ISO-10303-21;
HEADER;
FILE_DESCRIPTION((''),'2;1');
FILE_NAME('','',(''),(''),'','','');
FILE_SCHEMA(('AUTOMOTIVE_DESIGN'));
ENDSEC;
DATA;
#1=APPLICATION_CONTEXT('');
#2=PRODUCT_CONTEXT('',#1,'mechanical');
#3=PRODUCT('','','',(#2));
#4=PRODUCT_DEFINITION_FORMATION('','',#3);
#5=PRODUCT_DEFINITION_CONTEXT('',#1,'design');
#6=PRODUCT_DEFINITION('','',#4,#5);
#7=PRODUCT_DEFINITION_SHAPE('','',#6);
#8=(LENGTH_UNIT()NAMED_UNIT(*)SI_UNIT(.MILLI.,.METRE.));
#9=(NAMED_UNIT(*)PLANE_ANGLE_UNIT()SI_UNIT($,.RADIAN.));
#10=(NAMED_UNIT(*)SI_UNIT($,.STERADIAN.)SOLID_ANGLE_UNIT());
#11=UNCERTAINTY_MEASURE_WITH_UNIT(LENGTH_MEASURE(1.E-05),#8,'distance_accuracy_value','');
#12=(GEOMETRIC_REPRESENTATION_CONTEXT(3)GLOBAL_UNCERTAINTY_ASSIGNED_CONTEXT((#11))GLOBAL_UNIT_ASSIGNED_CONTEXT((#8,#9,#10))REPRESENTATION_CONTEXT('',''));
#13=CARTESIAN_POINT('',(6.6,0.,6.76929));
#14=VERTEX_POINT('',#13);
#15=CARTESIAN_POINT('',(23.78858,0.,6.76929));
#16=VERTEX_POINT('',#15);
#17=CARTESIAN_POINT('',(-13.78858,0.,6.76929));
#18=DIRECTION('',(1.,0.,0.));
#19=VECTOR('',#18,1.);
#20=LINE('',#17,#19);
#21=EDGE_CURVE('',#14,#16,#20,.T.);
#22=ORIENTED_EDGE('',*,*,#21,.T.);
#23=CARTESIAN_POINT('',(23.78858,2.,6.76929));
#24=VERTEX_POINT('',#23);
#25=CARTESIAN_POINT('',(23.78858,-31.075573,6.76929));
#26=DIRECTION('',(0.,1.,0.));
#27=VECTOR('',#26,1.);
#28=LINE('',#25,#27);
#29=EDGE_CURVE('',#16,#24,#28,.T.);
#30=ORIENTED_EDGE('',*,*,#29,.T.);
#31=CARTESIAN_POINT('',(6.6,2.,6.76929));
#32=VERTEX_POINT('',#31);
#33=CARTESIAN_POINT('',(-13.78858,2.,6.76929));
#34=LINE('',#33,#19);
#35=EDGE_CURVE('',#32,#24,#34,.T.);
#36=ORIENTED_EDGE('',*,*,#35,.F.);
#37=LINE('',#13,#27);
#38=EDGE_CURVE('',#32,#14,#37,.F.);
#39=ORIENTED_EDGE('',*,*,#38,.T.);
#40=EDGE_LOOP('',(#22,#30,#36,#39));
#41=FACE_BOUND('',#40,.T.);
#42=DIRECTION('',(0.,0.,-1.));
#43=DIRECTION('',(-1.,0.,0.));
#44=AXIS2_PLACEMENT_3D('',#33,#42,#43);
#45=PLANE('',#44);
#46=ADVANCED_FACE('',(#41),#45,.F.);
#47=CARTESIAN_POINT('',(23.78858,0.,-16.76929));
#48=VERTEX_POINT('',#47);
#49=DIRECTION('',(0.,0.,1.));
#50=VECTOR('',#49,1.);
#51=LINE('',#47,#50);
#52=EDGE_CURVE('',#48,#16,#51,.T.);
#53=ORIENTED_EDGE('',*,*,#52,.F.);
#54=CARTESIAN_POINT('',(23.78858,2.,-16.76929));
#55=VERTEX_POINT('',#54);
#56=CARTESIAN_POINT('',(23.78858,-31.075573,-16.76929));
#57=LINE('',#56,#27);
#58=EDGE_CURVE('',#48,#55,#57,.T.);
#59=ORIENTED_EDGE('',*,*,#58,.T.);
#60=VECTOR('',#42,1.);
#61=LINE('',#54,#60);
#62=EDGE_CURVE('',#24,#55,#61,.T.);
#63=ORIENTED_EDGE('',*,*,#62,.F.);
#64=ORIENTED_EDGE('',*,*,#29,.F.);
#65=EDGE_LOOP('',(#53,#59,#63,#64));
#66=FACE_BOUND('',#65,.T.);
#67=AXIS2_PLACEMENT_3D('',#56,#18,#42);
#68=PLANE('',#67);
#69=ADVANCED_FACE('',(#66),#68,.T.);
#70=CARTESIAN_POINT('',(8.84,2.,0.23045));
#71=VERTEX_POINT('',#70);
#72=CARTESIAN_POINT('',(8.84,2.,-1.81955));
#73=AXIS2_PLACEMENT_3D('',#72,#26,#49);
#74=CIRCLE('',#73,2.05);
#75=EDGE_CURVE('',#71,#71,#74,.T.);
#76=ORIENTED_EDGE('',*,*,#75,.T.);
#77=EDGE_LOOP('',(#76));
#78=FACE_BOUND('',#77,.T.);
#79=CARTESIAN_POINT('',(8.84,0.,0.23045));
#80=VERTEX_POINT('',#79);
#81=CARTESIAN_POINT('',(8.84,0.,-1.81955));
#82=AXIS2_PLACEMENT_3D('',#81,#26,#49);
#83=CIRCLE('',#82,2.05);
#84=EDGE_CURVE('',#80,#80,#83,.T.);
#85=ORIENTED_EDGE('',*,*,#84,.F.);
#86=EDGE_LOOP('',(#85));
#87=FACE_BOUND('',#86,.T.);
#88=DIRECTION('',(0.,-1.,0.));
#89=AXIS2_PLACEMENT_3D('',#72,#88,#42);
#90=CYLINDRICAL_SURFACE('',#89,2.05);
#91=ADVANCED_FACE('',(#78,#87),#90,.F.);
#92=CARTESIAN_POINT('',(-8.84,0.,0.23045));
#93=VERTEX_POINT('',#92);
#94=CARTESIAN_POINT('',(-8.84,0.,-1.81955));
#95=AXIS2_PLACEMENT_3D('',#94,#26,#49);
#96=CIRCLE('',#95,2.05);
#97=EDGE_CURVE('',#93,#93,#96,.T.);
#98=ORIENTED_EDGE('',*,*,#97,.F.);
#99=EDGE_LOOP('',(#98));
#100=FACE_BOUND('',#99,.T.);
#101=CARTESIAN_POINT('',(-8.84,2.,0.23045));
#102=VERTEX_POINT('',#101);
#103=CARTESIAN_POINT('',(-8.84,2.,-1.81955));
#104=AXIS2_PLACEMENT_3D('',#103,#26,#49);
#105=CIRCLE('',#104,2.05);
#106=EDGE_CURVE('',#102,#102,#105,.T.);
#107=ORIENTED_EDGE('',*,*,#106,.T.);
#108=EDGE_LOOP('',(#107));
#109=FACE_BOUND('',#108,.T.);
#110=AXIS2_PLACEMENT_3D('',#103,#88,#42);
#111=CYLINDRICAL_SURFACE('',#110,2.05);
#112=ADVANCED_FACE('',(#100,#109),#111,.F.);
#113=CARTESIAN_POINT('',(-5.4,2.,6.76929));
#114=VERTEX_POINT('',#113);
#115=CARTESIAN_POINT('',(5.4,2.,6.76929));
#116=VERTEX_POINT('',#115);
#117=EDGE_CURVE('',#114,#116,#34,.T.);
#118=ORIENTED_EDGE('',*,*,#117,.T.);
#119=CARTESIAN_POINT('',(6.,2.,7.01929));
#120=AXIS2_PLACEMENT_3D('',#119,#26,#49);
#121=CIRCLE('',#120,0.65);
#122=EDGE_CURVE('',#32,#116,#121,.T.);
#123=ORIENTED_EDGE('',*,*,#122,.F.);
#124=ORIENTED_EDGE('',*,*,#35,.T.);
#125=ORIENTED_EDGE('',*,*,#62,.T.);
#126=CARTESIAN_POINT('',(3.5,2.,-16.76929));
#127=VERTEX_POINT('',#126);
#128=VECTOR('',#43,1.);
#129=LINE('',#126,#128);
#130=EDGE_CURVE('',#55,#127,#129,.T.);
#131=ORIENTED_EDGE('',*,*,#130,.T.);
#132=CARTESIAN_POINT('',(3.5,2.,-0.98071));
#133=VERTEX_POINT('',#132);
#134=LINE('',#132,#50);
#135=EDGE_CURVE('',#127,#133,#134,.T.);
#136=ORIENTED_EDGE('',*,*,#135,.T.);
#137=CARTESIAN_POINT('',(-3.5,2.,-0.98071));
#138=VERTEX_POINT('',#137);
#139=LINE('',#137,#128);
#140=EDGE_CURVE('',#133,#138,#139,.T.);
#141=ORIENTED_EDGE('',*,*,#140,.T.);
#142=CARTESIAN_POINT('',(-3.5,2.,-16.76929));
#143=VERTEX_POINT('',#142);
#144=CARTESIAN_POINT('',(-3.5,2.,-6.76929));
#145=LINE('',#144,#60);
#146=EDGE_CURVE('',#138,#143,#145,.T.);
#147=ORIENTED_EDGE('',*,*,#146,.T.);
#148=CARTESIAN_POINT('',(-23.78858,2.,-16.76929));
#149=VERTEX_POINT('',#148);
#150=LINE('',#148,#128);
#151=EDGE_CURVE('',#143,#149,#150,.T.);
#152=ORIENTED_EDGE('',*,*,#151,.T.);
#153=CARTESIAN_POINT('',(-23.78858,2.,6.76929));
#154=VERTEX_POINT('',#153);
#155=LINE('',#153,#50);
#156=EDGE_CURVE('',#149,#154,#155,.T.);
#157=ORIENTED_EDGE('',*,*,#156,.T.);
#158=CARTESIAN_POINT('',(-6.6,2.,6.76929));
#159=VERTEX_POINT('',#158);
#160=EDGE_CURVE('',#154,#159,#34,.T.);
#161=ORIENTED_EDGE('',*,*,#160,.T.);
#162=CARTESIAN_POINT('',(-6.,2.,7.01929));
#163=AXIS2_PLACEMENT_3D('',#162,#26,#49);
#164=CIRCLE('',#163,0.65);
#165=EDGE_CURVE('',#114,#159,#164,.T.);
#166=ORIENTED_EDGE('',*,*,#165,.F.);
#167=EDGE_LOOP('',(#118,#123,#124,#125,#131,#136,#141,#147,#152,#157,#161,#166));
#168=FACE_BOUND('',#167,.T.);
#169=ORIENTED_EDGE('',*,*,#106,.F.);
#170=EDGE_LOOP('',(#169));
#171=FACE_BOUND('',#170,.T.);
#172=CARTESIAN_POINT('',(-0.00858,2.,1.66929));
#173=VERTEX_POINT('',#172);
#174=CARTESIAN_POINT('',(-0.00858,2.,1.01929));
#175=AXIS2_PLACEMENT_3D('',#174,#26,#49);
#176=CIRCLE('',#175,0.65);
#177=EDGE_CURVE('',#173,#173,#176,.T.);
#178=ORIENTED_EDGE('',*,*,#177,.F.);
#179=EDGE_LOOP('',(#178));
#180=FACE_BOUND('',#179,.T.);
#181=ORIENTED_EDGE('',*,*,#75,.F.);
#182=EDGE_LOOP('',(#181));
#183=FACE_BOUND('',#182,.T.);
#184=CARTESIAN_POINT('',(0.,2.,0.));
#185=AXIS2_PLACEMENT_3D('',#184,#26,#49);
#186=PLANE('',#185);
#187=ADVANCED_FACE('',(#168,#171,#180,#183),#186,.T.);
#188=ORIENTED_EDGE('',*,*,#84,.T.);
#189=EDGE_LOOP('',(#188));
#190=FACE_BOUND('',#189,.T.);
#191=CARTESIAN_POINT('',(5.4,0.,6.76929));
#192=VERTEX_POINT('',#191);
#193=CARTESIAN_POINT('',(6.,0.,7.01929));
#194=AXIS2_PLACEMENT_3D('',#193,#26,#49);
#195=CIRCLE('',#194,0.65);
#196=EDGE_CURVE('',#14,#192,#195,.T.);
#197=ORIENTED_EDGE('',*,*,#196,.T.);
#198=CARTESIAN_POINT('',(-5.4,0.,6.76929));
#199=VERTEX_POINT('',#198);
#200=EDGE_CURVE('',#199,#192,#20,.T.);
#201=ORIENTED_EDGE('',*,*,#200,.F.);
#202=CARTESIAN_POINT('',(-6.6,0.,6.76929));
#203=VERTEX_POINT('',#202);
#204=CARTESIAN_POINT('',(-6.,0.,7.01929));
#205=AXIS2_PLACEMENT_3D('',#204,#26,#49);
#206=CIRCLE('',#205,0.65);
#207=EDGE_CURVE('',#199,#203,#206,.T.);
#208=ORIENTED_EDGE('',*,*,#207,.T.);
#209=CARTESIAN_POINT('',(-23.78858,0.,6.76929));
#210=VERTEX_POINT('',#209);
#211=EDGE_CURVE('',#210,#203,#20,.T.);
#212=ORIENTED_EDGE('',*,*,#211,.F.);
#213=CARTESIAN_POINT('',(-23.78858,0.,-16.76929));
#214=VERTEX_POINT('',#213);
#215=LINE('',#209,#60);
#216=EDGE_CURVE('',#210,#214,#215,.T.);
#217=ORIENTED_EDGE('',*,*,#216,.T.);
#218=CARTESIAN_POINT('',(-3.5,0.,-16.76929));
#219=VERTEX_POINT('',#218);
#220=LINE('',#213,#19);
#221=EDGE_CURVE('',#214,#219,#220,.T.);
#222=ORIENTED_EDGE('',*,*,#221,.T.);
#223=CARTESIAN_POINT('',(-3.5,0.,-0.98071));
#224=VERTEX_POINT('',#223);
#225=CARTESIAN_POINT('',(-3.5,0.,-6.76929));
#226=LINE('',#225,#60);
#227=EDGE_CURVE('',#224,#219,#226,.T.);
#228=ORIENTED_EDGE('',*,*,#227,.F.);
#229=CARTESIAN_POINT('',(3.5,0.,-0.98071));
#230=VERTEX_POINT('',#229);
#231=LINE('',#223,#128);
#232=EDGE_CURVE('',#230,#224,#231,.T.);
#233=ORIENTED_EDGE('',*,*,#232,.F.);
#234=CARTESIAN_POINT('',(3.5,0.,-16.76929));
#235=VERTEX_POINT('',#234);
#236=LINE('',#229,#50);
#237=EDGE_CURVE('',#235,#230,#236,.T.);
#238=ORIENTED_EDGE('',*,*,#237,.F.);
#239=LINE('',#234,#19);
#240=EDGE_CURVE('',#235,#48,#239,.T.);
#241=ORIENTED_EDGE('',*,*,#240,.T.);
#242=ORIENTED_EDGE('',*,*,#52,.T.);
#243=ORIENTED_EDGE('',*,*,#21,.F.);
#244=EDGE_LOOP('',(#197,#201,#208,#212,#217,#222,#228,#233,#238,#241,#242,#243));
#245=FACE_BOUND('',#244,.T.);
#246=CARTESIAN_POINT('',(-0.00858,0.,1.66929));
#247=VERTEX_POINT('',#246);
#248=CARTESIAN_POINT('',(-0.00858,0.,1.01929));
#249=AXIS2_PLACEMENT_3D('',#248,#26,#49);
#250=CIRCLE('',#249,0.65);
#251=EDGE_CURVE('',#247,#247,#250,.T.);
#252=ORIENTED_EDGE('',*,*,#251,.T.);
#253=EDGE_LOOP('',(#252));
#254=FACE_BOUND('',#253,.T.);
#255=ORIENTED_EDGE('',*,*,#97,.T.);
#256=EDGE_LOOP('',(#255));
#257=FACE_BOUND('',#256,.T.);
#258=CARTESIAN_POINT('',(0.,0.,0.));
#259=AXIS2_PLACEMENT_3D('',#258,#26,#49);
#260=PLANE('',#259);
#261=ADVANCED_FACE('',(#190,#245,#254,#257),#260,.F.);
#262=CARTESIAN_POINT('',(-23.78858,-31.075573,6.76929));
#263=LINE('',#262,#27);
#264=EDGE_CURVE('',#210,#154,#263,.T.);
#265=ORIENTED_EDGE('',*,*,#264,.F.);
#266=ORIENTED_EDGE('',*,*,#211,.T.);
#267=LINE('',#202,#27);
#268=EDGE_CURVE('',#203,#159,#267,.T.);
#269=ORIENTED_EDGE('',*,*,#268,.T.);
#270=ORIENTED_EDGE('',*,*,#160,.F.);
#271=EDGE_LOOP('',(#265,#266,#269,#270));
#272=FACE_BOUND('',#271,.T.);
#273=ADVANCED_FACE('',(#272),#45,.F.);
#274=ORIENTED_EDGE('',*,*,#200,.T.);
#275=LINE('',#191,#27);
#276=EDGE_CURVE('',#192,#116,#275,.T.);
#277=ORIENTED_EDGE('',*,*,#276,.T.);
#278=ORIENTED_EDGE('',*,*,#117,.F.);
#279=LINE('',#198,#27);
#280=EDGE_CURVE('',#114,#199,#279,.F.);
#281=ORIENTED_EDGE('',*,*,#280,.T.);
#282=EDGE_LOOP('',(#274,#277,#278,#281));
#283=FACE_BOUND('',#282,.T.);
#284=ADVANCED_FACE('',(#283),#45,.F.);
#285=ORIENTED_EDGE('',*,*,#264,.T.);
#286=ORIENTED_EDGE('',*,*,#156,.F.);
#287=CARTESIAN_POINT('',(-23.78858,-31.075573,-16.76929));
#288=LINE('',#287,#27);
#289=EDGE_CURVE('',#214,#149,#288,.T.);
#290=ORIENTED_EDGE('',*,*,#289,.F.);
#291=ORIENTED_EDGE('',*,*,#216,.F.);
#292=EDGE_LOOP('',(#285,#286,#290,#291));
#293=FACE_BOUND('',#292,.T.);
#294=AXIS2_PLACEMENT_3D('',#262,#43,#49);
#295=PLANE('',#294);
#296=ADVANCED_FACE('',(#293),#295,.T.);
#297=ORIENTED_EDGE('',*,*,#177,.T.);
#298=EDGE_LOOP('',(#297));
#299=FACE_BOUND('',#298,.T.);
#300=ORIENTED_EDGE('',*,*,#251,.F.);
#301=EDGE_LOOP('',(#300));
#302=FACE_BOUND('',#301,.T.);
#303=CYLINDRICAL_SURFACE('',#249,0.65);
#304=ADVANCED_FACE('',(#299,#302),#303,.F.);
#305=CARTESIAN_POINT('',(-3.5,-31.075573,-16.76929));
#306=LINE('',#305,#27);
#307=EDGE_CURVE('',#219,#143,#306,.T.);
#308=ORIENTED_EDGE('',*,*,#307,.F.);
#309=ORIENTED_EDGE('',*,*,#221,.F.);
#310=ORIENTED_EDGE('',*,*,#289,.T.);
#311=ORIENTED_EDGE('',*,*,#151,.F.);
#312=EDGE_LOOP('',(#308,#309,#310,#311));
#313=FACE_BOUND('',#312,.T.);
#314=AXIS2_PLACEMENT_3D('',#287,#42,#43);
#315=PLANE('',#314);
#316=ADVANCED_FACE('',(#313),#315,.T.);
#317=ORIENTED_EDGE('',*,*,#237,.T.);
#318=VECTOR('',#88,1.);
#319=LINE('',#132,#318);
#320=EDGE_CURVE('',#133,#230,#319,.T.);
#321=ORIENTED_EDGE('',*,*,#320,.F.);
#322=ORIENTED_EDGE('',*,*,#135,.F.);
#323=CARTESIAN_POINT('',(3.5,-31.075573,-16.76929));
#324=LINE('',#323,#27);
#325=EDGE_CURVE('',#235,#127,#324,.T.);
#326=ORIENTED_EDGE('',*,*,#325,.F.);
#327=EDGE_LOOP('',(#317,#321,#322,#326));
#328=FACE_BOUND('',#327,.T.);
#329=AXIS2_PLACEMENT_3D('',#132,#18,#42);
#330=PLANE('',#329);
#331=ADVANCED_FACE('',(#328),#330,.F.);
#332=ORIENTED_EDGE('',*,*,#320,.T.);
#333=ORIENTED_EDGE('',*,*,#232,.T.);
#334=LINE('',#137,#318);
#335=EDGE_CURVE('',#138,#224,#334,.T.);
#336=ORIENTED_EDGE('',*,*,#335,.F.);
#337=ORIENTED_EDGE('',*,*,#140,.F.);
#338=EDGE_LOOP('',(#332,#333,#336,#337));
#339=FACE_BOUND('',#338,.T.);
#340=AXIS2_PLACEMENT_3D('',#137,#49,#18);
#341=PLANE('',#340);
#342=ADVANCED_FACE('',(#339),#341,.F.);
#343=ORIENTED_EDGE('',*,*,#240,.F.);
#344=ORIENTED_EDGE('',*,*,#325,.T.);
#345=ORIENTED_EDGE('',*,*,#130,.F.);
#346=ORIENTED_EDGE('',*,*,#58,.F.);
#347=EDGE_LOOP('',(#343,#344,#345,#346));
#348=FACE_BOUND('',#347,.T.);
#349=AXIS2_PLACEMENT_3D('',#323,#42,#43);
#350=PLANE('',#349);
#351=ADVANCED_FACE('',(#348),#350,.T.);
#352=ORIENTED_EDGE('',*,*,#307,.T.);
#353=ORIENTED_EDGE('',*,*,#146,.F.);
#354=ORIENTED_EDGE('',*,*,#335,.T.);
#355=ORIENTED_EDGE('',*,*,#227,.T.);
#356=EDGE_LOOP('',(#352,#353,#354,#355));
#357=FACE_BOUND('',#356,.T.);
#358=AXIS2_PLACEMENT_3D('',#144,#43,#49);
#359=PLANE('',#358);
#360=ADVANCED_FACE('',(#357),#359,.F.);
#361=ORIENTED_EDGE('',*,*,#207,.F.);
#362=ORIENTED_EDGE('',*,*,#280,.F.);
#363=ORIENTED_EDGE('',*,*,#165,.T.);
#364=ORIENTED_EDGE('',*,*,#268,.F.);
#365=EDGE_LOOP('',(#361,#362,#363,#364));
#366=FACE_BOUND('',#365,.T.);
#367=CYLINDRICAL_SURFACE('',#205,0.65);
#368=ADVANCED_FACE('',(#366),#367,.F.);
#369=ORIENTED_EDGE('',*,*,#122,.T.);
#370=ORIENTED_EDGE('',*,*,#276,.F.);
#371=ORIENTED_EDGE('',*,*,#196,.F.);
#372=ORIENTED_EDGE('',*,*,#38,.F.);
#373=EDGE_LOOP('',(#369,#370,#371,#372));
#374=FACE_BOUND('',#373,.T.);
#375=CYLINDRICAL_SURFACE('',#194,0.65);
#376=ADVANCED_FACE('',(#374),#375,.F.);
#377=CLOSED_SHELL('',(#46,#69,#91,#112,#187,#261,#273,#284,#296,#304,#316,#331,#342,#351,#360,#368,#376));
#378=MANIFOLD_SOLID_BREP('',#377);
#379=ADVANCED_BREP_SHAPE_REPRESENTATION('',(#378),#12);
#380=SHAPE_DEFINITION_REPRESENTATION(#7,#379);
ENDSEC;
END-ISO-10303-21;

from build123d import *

# Parameters (mm, degrees)
SKETCH1_R           = 2.05
BOSS_EXTRUDE1_DEPTH = 2
SKETCH3_R           = 0.65
CUT_EXTRUDE1_DEPTH  = 16.490262281
SKETCH4_R           = 0.65
CUT_EXTRUDE2_DEPTH  = 16.490262281
BOSS_EXTRUDE2_DEPTH = 2


with BuildPart() as part:
    # Sketch1 → Boss-Extrude1 (new body)
    with BuildSketch(Plane(origin=(0, 0, 0), x_dir=(1, 0, 0), z_dir=(0, 1, 0))):
        Polygon((-3.5, 6.76929), (-3.5, 0.98071), (3.5, 0.98071), (3.5, 6.76929), (13.78858, 6.76929), (13.78858, -6.76929), (-13.78858, -6.76929), (-13.78858, 6.76929), align=None)
        with Locations(Location((-8.84, 1.81955, 0), (0, 0, 270))):
            Circle(SKETCH1_R, mode=Mode.SUBTRACT)
        with Locations(Location((8.84, 1.81955, 0), (0, 0, 270))):
            Circle(SKETCH1_R, mode=Mode.SUBTRACT)
    extrude(amount=BOSS_EXTRUDE1_DEPTH)

    # Sketch3 → Cut-Extrude1 (cut, through all)
    with BuildSketch(Plane(origin=(0, 2, 0), x_dir=(1, 0, 0), z_dir=(0, 1, 0))):
        with Locations(Location((-0.00858, -1.01929, 0), (0, 0, 270))):
            Circle(SKETCH3_R)
    extrude(amount=-CUT_EXTRUDE1_DEPTH, mode=Mode.SUBTRACT)

    # Sketch4 → Cut-Extrude2 (cut, through all)
    with BuildSketch(Plane(origin=(0, 2, 0), x_dir=(1, 0, 0), z_dir=(0, 1, 0))):
        with Locations((6, -7.01929)):
            Circle(SKETCH4_R)
        with Locations((-6, -7.01929)):
            Circle(SKETCH4_R)
    extrude(amount=-CUT_EXTRUDE2_DEPTH, mode=Mode.SUBTRACT)

    # Sketch5 → Boss-Extrude2 (add)
    with BuildSketch(Plane(origin=(0, 2, 0), x_dir=(1, 0, 0), z_dir=(0, 1, 0))):
        Polygon((-13.78858, -6.76929), (-23.78858, -6.76929), (-23.78858, 16.76929), (-3.5, 16.76929), (-3.5, 6.76929), (-13.78858, 6.76929), align=None)
        Polygon((3.5, 6.76929), (3.5, 16.76929), (23.78858, 16.76929), (23.78858, -6.76929), (13.78858, -6.76929), (13.78858, 6.76929), align=None)
    extrude(amount=-BOSS_EXTRUDE2_DEPTH)


solid = part.part
